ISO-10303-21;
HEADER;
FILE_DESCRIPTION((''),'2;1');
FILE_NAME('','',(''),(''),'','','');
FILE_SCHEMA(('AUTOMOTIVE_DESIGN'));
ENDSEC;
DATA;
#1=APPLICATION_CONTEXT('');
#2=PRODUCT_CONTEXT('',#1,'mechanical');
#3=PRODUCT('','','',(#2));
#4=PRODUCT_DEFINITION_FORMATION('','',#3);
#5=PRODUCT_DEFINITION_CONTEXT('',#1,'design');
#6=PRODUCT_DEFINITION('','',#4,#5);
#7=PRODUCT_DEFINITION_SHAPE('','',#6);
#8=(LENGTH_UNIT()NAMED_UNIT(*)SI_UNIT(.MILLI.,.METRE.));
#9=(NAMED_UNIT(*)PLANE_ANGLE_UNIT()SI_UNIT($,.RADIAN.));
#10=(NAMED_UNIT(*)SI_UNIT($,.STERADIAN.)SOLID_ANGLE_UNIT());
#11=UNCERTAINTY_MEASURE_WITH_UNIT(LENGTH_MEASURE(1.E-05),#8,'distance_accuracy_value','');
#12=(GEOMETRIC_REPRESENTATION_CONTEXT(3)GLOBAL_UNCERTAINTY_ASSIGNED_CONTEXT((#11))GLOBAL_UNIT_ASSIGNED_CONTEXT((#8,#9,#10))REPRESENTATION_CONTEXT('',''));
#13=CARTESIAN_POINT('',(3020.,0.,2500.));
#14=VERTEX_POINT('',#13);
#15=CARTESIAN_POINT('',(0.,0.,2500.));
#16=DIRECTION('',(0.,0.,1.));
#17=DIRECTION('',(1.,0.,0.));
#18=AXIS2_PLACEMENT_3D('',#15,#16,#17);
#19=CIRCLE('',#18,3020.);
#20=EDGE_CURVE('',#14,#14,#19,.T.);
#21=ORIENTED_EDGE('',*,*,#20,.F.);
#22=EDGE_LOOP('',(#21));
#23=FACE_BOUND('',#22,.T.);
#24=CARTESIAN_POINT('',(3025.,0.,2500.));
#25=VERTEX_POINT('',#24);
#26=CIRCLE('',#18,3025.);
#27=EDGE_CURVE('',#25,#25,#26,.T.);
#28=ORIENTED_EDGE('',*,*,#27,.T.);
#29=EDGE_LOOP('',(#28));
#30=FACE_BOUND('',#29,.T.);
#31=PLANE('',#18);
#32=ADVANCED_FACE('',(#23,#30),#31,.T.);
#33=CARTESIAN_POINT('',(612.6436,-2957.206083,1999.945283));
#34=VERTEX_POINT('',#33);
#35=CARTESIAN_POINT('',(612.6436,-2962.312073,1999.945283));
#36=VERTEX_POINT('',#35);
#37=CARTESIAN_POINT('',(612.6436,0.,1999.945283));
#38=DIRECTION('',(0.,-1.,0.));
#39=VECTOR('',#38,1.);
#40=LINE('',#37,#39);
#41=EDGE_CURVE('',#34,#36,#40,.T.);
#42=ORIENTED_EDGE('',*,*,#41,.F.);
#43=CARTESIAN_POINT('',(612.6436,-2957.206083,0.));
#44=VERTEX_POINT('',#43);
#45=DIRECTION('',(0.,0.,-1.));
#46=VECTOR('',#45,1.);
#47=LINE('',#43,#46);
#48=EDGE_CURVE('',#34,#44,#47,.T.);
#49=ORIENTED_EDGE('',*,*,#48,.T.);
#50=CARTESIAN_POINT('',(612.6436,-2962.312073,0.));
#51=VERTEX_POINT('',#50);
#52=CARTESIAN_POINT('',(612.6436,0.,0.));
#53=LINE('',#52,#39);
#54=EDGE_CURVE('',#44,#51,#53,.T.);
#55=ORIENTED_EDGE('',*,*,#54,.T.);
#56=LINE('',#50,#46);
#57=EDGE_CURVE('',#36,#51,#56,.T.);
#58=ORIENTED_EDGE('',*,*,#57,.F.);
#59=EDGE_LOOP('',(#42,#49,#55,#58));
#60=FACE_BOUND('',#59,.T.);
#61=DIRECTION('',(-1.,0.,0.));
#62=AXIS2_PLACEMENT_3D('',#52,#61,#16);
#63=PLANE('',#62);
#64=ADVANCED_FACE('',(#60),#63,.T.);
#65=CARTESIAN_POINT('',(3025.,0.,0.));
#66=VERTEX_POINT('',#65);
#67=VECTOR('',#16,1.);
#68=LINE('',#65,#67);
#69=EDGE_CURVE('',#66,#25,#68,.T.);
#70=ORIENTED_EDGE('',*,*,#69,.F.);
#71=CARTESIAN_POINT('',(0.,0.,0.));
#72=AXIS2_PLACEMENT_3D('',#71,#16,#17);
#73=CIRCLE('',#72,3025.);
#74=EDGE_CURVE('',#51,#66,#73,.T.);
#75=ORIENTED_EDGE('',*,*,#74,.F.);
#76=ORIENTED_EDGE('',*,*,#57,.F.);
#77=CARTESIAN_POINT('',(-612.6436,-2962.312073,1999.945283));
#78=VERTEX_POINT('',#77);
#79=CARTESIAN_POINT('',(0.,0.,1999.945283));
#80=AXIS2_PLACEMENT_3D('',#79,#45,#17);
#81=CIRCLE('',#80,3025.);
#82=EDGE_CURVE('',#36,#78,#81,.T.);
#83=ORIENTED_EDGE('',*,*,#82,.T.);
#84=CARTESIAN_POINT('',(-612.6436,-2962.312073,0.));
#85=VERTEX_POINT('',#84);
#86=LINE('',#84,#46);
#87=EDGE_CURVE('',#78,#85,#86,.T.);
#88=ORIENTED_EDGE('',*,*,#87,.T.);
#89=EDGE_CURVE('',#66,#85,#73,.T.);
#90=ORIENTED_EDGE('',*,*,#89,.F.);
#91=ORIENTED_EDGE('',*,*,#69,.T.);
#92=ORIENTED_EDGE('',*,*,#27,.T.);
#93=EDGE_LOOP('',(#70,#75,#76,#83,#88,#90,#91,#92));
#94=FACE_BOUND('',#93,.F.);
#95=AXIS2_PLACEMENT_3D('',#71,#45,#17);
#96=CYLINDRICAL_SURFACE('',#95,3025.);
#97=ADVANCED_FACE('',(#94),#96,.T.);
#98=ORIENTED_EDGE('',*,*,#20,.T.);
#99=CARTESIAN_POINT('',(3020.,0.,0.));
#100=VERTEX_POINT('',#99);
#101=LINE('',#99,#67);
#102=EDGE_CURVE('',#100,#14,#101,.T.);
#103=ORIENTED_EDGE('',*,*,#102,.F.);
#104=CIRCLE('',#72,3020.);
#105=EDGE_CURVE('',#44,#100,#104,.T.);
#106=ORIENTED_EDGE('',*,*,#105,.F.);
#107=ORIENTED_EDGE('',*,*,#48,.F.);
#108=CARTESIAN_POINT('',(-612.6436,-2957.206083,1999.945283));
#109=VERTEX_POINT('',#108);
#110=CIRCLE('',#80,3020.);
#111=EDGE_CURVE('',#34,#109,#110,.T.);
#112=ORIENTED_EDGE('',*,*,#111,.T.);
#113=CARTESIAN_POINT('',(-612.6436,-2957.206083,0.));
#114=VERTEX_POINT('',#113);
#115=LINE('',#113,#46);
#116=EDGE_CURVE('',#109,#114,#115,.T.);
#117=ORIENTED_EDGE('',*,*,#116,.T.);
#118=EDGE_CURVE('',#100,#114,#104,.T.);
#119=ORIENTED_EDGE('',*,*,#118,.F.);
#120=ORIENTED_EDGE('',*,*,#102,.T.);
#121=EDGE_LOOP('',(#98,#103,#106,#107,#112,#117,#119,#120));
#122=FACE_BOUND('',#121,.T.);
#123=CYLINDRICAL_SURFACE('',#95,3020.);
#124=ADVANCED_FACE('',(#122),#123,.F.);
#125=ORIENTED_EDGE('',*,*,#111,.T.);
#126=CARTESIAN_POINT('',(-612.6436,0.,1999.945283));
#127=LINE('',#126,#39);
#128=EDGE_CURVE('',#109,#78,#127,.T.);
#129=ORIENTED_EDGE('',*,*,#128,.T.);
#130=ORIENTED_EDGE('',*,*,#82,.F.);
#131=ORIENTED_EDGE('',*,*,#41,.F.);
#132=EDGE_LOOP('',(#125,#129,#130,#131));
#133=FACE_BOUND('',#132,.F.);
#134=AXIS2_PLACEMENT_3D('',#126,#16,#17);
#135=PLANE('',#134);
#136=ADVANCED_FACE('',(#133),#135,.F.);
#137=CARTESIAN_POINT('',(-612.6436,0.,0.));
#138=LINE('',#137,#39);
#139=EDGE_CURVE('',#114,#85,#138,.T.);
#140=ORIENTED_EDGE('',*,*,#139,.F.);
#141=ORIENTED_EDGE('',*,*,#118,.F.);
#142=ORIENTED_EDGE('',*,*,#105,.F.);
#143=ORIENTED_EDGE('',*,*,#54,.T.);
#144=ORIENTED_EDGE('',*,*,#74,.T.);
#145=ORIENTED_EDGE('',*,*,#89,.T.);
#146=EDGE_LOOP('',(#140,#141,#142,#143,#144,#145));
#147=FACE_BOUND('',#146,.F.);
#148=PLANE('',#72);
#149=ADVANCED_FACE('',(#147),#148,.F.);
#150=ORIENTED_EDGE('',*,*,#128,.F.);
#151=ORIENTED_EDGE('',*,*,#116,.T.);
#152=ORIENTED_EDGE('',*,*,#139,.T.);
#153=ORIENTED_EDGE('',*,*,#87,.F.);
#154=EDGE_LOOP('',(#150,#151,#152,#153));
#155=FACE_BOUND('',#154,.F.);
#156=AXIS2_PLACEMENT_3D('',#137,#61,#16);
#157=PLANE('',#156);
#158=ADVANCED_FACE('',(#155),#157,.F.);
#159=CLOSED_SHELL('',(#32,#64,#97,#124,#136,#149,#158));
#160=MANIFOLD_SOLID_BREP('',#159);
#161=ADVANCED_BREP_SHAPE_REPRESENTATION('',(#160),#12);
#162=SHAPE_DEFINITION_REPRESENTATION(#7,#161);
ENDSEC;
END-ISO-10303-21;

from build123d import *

# Parameters (mm, degrees)
F0_R     = 3025
F0_R_2   = 3020
F1_DEPTH = 2500
F2_W     = 1225.2871990204
F2_H     = 1999.9452829361
F3_DEPTH = 3026


with BuildPart() as f1:
    # F0 (on Top) → F1 (new body)
    with BuildSketch(Plane.XY):
        Circle(F0_R)
        Circle(F0_R_2, mode=Mode.SUBTRACT)
    extrude(amount=F1_DEPTH)

    # F2 (on Front) → F3 (cut, up to face)
    with BuildSketch(Plane.XZ):
        with Locations((0, 999.972641468)):
            Rectangle(F2_W, F2_H)
    extrude(amount=F3_DEPTH, mode=Mode.SUBTRACT)


solid = f1.part
